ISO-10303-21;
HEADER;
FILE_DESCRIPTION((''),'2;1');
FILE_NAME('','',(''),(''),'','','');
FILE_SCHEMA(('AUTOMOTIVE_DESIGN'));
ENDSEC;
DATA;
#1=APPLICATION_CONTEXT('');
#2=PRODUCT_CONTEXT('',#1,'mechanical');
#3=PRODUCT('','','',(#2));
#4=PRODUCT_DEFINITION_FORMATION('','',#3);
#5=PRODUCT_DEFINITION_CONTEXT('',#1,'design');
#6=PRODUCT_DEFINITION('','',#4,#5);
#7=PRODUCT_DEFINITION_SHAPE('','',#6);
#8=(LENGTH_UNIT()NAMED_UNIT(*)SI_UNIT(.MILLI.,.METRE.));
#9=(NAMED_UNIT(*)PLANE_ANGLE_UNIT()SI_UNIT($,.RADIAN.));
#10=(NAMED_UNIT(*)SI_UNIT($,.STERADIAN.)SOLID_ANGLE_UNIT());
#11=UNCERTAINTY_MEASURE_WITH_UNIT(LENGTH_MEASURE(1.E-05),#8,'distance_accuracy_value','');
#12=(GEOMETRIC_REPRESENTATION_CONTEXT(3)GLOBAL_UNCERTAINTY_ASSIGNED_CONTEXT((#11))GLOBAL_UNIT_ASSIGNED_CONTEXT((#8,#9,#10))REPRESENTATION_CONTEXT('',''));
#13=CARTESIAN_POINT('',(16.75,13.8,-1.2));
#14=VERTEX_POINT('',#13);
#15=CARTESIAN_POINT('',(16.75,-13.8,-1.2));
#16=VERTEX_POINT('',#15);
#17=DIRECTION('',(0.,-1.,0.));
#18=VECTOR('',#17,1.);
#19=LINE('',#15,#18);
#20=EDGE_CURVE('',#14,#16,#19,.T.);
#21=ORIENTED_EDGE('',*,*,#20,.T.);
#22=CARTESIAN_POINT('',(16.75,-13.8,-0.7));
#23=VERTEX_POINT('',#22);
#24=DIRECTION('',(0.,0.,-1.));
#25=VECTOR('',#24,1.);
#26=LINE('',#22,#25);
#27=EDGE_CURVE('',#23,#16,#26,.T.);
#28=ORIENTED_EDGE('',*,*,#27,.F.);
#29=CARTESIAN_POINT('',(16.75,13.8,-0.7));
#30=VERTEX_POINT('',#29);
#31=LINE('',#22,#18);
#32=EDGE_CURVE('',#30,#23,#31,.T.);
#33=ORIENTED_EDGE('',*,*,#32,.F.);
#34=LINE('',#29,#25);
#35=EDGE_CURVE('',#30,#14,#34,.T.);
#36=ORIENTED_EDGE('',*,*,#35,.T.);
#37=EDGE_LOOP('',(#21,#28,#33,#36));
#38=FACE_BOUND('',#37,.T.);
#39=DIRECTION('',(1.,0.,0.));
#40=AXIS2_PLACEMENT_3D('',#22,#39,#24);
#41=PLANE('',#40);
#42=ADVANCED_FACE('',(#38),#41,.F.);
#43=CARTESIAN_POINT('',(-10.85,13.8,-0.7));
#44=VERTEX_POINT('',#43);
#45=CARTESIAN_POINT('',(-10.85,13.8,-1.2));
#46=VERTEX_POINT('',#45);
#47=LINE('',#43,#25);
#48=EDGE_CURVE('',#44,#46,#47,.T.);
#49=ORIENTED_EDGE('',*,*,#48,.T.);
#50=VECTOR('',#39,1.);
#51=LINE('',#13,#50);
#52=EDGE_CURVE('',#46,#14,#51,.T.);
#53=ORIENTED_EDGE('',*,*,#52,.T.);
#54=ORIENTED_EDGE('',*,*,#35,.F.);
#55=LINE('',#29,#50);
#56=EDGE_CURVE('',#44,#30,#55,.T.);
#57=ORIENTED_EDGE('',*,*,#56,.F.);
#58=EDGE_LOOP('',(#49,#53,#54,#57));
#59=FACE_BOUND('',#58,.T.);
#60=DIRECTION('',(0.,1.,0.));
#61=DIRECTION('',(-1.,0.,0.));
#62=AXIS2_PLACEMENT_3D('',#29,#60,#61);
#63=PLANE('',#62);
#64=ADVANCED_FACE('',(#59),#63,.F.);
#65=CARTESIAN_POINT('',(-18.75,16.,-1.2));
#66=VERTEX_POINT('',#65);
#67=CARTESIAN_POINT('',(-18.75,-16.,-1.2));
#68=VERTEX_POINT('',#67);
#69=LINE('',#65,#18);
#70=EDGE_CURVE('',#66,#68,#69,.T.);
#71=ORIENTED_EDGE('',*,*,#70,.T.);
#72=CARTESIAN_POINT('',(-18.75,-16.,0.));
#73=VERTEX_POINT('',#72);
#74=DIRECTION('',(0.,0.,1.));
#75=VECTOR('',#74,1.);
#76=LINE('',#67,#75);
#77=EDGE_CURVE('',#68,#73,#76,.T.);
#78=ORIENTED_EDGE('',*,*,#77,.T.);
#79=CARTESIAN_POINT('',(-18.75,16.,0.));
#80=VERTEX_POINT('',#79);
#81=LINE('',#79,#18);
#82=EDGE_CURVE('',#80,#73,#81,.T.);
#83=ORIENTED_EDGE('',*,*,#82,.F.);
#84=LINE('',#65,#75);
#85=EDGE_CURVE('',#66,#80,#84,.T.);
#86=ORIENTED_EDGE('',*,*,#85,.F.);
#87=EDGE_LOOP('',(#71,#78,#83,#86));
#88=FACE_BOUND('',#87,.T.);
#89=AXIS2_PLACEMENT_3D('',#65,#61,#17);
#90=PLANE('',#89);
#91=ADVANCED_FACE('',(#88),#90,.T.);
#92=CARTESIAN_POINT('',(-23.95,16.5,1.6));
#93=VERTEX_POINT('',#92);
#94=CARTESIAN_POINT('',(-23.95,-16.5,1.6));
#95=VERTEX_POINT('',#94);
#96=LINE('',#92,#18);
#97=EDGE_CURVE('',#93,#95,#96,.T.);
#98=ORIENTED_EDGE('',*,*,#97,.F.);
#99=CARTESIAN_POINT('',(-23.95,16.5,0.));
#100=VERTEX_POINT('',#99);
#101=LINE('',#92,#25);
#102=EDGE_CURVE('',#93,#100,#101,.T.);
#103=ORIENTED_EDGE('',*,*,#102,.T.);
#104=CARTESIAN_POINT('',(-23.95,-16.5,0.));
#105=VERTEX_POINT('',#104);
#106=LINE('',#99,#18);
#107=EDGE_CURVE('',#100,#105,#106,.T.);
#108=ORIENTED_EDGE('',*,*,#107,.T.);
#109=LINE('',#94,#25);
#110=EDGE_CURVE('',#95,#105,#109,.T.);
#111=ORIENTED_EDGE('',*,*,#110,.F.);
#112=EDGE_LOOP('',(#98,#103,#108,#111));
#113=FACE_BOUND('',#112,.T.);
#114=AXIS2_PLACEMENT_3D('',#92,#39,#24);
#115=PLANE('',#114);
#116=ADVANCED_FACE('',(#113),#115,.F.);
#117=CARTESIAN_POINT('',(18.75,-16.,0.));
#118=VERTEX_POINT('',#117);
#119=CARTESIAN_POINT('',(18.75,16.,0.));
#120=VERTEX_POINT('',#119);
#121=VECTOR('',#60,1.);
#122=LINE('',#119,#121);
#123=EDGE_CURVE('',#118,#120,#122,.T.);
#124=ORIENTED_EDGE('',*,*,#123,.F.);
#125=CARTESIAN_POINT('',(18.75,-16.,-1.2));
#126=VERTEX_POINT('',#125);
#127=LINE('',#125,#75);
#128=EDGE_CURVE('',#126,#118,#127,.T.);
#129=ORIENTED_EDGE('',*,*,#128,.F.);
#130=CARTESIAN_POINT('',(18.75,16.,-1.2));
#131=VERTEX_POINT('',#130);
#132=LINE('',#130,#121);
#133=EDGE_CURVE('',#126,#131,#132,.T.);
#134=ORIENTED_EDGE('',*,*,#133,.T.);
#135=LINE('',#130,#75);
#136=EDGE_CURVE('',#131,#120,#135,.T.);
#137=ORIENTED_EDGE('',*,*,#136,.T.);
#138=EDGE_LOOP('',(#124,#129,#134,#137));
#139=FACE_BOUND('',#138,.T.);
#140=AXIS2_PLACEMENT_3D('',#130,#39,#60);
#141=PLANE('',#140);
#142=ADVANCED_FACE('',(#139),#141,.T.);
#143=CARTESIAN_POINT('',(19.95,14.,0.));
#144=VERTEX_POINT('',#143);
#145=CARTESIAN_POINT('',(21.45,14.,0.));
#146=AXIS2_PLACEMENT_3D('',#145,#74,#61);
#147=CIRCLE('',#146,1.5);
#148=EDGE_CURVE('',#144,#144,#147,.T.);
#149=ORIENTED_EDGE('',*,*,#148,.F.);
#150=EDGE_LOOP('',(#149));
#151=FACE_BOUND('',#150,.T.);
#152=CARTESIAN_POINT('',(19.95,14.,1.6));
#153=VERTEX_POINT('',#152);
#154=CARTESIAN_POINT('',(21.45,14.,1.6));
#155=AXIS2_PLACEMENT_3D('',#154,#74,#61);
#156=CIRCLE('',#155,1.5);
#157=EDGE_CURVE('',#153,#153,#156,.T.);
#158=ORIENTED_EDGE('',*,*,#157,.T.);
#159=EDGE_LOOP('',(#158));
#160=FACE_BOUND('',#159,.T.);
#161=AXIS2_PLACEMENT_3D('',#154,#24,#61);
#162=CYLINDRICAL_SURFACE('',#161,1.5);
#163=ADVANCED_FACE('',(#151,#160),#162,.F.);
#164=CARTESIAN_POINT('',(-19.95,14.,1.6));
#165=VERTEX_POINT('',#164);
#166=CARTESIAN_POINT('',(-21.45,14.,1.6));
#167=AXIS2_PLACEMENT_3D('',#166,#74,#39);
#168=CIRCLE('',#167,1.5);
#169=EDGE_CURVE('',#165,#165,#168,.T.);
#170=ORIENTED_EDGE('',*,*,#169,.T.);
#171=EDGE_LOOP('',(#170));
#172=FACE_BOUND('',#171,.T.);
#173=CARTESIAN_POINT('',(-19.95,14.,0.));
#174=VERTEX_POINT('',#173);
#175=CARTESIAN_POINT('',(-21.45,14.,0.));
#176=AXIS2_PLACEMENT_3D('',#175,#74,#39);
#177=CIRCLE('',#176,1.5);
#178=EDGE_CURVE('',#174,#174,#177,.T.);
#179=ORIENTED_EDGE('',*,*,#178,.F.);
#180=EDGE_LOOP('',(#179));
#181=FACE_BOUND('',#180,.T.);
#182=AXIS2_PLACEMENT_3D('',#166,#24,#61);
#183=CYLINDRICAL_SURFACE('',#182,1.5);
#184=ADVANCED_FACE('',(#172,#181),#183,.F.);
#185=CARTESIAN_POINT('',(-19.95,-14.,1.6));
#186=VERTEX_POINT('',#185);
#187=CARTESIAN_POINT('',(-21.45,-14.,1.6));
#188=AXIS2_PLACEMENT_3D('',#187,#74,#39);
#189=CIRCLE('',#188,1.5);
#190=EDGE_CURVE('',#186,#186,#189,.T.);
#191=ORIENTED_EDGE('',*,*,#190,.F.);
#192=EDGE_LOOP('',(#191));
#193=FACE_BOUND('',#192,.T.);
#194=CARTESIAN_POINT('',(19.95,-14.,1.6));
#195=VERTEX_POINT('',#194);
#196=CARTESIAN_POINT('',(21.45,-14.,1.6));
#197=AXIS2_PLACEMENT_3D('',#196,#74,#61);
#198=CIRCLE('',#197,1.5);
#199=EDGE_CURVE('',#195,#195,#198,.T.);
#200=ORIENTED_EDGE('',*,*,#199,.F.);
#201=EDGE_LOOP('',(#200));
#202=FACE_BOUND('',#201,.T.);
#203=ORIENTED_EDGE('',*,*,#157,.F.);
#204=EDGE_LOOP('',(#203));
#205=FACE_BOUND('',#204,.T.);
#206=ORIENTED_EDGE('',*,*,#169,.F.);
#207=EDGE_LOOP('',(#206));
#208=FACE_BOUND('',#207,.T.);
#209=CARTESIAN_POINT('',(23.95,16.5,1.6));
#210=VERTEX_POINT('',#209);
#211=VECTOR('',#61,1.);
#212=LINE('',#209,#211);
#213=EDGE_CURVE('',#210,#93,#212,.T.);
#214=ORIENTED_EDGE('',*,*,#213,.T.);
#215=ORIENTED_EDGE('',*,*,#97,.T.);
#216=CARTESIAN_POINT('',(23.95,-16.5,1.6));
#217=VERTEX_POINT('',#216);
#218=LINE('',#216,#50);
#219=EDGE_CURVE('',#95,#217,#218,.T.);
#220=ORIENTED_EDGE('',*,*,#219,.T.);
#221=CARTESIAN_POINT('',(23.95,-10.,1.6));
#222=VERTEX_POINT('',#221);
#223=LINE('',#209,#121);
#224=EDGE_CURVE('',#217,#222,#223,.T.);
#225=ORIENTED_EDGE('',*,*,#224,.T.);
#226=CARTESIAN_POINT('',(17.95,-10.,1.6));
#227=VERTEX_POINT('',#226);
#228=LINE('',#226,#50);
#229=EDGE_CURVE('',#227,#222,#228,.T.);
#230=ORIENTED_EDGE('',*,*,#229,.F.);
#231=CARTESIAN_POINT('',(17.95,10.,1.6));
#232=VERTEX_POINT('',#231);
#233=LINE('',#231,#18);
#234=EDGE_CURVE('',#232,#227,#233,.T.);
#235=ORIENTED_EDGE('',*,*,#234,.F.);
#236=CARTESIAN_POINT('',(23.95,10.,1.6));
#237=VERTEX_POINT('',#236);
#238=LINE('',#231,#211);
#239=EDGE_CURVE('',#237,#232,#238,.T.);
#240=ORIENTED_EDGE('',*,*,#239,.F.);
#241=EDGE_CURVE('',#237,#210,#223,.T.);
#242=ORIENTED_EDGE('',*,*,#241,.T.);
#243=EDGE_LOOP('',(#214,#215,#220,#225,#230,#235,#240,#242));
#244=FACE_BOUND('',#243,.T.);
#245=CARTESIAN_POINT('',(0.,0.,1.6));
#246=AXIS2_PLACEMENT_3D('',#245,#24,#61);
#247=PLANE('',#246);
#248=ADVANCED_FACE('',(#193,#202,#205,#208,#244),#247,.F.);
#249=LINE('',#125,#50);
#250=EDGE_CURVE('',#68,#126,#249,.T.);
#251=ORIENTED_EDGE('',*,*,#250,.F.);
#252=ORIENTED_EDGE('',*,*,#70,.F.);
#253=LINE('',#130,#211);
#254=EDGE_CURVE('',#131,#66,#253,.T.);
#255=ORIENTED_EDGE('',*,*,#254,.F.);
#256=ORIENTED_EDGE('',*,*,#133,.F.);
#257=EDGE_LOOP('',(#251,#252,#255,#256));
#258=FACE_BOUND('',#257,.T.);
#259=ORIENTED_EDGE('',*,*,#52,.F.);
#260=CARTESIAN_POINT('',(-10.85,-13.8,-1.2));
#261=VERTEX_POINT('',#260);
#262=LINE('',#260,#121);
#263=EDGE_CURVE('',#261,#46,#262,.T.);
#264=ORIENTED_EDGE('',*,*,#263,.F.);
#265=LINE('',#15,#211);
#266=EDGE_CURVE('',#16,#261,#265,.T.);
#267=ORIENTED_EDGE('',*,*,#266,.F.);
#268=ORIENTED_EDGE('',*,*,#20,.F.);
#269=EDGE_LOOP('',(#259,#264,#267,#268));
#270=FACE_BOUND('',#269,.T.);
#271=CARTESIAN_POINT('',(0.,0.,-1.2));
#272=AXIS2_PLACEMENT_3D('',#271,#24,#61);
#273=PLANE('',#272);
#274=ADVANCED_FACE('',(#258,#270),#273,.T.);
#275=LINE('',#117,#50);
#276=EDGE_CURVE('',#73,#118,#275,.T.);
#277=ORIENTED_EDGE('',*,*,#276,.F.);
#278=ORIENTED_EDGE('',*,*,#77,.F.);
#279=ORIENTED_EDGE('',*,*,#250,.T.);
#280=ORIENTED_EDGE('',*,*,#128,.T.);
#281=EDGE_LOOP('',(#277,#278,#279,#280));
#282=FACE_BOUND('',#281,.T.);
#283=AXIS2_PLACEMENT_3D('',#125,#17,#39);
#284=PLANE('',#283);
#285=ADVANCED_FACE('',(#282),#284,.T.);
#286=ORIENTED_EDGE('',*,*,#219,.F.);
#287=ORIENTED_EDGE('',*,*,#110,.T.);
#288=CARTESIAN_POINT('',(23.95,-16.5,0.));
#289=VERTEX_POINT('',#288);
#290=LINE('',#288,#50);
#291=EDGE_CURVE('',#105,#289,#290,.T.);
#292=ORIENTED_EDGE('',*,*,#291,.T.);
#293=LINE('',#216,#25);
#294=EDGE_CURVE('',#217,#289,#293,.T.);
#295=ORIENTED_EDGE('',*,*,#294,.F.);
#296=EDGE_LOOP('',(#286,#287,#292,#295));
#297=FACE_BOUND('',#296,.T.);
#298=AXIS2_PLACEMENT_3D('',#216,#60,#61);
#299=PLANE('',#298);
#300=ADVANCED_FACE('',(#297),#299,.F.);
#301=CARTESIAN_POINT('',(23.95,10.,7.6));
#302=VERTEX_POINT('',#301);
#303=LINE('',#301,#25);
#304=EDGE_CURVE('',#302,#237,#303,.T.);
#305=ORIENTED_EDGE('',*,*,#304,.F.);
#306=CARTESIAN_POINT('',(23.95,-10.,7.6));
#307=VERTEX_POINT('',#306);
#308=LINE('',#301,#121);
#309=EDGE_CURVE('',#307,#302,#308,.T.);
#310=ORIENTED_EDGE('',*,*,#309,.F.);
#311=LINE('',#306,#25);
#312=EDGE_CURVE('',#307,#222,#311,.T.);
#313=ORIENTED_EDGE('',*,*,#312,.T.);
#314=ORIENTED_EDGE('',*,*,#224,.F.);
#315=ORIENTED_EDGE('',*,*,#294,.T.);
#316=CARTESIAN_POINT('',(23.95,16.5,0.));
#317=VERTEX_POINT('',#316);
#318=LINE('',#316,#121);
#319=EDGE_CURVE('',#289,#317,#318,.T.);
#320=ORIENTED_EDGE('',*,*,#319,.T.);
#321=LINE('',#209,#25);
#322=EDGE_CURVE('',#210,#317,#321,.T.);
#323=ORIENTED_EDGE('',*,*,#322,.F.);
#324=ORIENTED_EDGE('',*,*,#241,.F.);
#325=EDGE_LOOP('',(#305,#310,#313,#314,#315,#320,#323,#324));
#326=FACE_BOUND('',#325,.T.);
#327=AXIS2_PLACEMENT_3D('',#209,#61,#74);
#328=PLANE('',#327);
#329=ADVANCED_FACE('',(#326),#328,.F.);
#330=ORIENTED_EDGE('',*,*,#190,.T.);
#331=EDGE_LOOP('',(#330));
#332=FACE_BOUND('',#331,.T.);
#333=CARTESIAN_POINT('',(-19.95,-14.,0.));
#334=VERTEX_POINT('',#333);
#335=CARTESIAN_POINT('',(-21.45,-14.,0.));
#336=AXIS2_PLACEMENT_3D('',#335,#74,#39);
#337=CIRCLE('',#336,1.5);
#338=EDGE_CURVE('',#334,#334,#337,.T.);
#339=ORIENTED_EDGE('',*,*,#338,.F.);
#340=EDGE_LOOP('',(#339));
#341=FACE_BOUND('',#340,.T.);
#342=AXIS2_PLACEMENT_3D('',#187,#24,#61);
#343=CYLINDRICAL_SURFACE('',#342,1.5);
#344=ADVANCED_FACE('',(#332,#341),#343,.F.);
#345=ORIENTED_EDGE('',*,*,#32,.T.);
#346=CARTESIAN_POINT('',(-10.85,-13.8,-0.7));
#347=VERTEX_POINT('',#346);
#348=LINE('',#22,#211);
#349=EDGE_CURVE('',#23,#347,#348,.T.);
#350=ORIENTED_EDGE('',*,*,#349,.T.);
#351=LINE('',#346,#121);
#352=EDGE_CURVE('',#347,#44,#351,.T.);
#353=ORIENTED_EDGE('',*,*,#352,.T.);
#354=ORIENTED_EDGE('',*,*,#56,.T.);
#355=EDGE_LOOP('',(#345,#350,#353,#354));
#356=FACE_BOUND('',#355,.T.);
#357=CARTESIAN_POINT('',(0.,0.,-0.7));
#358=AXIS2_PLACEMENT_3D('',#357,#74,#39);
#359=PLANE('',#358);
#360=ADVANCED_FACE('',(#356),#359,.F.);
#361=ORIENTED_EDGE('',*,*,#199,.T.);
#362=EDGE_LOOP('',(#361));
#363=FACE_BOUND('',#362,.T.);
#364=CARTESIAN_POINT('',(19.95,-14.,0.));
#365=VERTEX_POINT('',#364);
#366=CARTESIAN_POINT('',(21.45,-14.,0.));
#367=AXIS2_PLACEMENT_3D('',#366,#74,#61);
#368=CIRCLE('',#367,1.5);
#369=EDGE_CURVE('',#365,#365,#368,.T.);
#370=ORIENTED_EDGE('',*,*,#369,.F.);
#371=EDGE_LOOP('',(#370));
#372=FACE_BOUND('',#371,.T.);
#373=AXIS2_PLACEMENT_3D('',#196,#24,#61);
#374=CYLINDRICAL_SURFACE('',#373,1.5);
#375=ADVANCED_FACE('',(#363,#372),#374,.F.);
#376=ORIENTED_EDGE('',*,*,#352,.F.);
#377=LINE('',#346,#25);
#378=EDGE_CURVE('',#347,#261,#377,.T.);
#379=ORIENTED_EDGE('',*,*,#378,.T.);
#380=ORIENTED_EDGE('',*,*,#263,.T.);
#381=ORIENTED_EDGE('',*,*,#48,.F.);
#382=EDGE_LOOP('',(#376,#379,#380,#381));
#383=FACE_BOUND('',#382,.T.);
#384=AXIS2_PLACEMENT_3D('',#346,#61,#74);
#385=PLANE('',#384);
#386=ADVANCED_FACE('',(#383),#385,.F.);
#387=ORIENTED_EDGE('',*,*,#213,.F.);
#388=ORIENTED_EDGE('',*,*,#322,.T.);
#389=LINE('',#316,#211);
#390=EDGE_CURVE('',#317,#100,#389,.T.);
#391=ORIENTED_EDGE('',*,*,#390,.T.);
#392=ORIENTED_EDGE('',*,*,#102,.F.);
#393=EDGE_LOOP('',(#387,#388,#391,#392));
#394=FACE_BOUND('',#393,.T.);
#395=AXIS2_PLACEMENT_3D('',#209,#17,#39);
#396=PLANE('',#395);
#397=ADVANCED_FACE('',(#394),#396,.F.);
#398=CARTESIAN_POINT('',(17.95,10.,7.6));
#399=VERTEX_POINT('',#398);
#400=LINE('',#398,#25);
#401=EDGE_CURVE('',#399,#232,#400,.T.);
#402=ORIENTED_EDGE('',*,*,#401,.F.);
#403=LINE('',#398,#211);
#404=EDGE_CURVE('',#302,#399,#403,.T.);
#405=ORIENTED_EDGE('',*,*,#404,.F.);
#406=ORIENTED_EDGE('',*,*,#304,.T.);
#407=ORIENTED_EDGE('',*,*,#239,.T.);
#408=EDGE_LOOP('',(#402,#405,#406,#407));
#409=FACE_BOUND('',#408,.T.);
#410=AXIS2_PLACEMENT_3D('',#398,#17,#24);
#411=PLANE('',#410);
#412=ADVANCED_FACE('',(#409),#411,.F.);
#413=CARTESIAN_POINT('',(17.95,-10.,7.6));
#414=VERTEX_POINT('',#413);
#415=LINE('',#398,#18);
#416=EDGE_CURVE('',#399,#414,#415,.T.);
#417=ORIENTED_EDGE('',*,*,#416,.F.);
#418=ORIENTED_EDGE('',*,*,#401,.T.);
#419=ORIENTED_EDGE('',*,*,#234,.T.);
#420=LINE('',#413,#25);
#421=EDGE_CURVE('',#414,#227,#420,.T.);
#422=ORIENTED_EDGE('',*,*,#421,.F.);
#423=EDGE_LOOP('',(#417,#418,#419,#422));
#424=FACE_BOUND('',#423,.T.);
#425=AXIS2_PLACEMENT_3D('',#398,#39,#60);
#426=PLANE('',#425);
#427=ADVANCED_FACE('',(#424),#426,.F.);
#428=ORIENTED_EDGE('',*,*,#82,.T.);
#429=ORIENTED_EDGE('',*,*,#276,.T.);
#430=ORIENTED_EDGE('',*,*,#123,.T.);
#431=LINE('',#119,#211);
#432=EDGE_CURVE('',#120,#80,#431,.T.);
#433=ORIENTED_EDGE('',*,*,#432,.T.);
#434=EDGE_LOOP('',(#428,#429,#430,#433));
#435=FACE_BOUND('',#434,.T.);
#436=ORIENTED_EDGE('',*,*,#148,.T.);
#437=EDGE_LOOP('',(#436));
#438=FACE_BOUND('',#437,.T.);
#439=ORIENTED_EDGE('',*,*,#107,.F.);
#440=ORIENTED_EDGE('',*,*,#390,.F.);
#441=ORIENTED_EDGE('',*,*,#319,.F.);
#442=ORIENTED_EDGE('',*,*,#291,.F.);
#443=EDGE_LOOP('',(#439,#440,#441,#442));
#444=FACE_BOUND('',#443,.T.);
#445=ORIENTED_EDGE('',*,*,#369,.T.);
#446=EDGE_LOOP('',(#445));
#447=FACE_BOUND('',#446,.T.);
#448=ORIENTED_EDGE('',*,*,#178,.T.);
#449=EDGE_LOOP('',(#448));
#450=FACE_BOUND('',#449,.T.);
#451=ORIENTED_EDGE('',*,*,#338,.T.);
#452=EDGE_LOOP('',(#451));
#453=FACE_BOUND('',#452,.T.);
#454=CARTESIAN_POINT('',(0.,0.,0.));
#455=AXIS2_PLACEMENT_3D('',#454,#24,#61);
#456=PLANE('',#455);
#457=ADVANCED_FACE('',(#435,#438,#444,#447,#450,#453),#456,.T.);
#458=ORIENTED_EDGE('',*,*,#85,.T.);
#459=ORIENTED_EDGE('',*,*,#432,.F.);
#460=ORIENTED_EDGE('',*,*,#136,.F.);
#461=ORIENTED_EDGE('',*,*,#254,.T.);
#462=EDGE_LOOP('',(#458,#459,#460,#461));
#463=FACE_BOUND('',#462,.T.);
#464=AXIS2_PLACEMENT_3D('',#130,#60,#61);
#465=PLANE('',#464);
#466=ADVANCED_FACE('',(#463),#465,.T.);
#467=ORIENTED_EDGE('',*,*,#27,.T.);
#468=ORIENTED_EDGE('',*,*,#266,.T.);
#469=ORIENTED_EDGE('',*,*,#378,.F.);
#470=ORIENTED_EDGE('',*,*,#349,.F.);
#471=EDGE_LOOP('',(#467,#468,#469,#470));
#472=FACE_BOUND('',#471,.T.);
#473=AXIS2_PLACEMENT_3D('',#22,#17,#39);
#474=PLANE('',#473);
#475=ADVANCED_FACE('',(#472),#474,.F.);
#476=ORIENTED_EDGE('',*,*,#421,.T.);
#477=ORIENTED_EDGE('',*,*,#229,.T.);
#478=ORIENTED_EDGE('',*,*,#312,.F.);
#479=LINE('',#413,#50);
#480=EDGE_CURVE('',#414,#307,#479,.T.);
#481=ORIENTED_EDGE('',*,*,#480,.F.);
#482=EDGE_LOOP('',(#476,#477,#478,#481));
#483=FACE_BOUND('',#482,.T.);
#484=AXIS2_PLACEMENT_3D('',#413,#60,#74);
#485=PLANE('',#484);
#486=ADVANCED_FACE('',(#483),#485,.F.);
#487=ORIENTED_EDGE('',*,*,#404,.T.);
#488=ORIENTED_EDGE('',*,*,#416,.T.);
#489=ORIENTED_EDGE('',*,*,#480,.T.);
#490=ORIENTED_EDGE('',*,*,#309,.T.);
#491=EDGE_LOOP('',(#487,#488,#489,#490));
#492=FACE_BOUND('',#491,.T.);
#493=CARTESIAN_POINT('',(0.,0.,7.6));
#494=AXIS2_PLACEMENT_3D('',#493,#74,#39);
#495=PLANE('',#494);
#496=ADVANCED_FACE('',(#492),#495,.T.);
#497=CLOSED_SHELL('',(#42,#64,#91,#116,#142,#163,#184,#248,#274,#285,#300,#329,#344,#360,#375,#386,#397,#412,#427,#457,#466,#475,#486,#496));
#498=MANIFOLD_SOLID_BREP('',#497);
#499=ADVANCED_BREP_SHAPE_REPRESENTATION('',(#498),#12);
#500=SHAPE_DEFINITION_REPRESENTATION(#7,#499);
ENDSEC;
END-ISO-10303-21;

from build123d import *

# Parameters (mm, degrees)
BASE_PCB_2_W              = 47.9
BASE_PCB_2_H              = 33
BASE_PCB_2_R              = 1.5
BASE_PCB_DEPTH            = 1.6
ESQUISSE4_W               = 37.5
ESQUISSE4_H               = 32
E_INK_DISPLAY_DEPTH       = 1.2
ESQUISSE5_W               = 27.6
ESQUISSE5_H               = 27.6
DISPLAY_200_200_DEPTH     = 0.5
ESQUISSE6_W               = 6
ESQUISSE6_H               = 20
CONNECTEUR_8BROCHES_DEPTH = 6


with BuildPart() as part:
    # BASE PCB 2 → Base_PCB (new body)
    with BuildSketch(Plane.XY):
        Rectangle(BASE_PCB_2_W, BASE_PCB_2_H)
        with Locations((-21.45, 14)):
            Circle(BASE_PCB_2_R, mode=Mode.SUBTRACT)
        with Locations((-21.45, -14)):
            Circle(BASE_PCB_2_R, mode=Mode.SUBTRACT)
        with Locations(Location((21.45, -14, 0), (0, 0, 180))):
            Circle(BASE_PCB_2_R, mode=Mode.SUBTRACT)
        with Locations(Location((21.45, 14, 0), (0, 0, 180))):
            Circle(BASE_PCB_2_R, mode=Mode.SUBTRACT)
    extrude(amount=BASE_PCB_DEPTH)

    # Esquisse4 → E-Ink_display (add)
    with BuildSketch(Plane.XY):
        Rectangle(ESQUISSE4_W, ESQUISSE4_H)
    extrude(amount=-E_INK_DISPLAY_DEPTH)

    # Esquisse5 → Display_200*200 (cut)
    with BuildSketch(Plane(origin=(0, 0, -1.2), x_dir=(-1, 0, 0), z_dir=(0, 0, -1))):
        with Locations((-2.95, 0)):
            Rectangle(ESQUISSE5_W, ESQUISSE5_H)
    extrude(amount=-DISPLAY_200_200_DEPTH, mode=Mode.SUBTRACT)

    # Esquisse6 → Connecteur_8broches (add)
    with BuildSketch(Plane.XY.offset(1.6)):
        with Locations((20.95, 0)):
            Rectangle(ESQUISSE6_W, ESQUISSE6_H)
    extrude(amount=CONNECTEUR_8BROCHES_DEPTH)


solid = part.part
